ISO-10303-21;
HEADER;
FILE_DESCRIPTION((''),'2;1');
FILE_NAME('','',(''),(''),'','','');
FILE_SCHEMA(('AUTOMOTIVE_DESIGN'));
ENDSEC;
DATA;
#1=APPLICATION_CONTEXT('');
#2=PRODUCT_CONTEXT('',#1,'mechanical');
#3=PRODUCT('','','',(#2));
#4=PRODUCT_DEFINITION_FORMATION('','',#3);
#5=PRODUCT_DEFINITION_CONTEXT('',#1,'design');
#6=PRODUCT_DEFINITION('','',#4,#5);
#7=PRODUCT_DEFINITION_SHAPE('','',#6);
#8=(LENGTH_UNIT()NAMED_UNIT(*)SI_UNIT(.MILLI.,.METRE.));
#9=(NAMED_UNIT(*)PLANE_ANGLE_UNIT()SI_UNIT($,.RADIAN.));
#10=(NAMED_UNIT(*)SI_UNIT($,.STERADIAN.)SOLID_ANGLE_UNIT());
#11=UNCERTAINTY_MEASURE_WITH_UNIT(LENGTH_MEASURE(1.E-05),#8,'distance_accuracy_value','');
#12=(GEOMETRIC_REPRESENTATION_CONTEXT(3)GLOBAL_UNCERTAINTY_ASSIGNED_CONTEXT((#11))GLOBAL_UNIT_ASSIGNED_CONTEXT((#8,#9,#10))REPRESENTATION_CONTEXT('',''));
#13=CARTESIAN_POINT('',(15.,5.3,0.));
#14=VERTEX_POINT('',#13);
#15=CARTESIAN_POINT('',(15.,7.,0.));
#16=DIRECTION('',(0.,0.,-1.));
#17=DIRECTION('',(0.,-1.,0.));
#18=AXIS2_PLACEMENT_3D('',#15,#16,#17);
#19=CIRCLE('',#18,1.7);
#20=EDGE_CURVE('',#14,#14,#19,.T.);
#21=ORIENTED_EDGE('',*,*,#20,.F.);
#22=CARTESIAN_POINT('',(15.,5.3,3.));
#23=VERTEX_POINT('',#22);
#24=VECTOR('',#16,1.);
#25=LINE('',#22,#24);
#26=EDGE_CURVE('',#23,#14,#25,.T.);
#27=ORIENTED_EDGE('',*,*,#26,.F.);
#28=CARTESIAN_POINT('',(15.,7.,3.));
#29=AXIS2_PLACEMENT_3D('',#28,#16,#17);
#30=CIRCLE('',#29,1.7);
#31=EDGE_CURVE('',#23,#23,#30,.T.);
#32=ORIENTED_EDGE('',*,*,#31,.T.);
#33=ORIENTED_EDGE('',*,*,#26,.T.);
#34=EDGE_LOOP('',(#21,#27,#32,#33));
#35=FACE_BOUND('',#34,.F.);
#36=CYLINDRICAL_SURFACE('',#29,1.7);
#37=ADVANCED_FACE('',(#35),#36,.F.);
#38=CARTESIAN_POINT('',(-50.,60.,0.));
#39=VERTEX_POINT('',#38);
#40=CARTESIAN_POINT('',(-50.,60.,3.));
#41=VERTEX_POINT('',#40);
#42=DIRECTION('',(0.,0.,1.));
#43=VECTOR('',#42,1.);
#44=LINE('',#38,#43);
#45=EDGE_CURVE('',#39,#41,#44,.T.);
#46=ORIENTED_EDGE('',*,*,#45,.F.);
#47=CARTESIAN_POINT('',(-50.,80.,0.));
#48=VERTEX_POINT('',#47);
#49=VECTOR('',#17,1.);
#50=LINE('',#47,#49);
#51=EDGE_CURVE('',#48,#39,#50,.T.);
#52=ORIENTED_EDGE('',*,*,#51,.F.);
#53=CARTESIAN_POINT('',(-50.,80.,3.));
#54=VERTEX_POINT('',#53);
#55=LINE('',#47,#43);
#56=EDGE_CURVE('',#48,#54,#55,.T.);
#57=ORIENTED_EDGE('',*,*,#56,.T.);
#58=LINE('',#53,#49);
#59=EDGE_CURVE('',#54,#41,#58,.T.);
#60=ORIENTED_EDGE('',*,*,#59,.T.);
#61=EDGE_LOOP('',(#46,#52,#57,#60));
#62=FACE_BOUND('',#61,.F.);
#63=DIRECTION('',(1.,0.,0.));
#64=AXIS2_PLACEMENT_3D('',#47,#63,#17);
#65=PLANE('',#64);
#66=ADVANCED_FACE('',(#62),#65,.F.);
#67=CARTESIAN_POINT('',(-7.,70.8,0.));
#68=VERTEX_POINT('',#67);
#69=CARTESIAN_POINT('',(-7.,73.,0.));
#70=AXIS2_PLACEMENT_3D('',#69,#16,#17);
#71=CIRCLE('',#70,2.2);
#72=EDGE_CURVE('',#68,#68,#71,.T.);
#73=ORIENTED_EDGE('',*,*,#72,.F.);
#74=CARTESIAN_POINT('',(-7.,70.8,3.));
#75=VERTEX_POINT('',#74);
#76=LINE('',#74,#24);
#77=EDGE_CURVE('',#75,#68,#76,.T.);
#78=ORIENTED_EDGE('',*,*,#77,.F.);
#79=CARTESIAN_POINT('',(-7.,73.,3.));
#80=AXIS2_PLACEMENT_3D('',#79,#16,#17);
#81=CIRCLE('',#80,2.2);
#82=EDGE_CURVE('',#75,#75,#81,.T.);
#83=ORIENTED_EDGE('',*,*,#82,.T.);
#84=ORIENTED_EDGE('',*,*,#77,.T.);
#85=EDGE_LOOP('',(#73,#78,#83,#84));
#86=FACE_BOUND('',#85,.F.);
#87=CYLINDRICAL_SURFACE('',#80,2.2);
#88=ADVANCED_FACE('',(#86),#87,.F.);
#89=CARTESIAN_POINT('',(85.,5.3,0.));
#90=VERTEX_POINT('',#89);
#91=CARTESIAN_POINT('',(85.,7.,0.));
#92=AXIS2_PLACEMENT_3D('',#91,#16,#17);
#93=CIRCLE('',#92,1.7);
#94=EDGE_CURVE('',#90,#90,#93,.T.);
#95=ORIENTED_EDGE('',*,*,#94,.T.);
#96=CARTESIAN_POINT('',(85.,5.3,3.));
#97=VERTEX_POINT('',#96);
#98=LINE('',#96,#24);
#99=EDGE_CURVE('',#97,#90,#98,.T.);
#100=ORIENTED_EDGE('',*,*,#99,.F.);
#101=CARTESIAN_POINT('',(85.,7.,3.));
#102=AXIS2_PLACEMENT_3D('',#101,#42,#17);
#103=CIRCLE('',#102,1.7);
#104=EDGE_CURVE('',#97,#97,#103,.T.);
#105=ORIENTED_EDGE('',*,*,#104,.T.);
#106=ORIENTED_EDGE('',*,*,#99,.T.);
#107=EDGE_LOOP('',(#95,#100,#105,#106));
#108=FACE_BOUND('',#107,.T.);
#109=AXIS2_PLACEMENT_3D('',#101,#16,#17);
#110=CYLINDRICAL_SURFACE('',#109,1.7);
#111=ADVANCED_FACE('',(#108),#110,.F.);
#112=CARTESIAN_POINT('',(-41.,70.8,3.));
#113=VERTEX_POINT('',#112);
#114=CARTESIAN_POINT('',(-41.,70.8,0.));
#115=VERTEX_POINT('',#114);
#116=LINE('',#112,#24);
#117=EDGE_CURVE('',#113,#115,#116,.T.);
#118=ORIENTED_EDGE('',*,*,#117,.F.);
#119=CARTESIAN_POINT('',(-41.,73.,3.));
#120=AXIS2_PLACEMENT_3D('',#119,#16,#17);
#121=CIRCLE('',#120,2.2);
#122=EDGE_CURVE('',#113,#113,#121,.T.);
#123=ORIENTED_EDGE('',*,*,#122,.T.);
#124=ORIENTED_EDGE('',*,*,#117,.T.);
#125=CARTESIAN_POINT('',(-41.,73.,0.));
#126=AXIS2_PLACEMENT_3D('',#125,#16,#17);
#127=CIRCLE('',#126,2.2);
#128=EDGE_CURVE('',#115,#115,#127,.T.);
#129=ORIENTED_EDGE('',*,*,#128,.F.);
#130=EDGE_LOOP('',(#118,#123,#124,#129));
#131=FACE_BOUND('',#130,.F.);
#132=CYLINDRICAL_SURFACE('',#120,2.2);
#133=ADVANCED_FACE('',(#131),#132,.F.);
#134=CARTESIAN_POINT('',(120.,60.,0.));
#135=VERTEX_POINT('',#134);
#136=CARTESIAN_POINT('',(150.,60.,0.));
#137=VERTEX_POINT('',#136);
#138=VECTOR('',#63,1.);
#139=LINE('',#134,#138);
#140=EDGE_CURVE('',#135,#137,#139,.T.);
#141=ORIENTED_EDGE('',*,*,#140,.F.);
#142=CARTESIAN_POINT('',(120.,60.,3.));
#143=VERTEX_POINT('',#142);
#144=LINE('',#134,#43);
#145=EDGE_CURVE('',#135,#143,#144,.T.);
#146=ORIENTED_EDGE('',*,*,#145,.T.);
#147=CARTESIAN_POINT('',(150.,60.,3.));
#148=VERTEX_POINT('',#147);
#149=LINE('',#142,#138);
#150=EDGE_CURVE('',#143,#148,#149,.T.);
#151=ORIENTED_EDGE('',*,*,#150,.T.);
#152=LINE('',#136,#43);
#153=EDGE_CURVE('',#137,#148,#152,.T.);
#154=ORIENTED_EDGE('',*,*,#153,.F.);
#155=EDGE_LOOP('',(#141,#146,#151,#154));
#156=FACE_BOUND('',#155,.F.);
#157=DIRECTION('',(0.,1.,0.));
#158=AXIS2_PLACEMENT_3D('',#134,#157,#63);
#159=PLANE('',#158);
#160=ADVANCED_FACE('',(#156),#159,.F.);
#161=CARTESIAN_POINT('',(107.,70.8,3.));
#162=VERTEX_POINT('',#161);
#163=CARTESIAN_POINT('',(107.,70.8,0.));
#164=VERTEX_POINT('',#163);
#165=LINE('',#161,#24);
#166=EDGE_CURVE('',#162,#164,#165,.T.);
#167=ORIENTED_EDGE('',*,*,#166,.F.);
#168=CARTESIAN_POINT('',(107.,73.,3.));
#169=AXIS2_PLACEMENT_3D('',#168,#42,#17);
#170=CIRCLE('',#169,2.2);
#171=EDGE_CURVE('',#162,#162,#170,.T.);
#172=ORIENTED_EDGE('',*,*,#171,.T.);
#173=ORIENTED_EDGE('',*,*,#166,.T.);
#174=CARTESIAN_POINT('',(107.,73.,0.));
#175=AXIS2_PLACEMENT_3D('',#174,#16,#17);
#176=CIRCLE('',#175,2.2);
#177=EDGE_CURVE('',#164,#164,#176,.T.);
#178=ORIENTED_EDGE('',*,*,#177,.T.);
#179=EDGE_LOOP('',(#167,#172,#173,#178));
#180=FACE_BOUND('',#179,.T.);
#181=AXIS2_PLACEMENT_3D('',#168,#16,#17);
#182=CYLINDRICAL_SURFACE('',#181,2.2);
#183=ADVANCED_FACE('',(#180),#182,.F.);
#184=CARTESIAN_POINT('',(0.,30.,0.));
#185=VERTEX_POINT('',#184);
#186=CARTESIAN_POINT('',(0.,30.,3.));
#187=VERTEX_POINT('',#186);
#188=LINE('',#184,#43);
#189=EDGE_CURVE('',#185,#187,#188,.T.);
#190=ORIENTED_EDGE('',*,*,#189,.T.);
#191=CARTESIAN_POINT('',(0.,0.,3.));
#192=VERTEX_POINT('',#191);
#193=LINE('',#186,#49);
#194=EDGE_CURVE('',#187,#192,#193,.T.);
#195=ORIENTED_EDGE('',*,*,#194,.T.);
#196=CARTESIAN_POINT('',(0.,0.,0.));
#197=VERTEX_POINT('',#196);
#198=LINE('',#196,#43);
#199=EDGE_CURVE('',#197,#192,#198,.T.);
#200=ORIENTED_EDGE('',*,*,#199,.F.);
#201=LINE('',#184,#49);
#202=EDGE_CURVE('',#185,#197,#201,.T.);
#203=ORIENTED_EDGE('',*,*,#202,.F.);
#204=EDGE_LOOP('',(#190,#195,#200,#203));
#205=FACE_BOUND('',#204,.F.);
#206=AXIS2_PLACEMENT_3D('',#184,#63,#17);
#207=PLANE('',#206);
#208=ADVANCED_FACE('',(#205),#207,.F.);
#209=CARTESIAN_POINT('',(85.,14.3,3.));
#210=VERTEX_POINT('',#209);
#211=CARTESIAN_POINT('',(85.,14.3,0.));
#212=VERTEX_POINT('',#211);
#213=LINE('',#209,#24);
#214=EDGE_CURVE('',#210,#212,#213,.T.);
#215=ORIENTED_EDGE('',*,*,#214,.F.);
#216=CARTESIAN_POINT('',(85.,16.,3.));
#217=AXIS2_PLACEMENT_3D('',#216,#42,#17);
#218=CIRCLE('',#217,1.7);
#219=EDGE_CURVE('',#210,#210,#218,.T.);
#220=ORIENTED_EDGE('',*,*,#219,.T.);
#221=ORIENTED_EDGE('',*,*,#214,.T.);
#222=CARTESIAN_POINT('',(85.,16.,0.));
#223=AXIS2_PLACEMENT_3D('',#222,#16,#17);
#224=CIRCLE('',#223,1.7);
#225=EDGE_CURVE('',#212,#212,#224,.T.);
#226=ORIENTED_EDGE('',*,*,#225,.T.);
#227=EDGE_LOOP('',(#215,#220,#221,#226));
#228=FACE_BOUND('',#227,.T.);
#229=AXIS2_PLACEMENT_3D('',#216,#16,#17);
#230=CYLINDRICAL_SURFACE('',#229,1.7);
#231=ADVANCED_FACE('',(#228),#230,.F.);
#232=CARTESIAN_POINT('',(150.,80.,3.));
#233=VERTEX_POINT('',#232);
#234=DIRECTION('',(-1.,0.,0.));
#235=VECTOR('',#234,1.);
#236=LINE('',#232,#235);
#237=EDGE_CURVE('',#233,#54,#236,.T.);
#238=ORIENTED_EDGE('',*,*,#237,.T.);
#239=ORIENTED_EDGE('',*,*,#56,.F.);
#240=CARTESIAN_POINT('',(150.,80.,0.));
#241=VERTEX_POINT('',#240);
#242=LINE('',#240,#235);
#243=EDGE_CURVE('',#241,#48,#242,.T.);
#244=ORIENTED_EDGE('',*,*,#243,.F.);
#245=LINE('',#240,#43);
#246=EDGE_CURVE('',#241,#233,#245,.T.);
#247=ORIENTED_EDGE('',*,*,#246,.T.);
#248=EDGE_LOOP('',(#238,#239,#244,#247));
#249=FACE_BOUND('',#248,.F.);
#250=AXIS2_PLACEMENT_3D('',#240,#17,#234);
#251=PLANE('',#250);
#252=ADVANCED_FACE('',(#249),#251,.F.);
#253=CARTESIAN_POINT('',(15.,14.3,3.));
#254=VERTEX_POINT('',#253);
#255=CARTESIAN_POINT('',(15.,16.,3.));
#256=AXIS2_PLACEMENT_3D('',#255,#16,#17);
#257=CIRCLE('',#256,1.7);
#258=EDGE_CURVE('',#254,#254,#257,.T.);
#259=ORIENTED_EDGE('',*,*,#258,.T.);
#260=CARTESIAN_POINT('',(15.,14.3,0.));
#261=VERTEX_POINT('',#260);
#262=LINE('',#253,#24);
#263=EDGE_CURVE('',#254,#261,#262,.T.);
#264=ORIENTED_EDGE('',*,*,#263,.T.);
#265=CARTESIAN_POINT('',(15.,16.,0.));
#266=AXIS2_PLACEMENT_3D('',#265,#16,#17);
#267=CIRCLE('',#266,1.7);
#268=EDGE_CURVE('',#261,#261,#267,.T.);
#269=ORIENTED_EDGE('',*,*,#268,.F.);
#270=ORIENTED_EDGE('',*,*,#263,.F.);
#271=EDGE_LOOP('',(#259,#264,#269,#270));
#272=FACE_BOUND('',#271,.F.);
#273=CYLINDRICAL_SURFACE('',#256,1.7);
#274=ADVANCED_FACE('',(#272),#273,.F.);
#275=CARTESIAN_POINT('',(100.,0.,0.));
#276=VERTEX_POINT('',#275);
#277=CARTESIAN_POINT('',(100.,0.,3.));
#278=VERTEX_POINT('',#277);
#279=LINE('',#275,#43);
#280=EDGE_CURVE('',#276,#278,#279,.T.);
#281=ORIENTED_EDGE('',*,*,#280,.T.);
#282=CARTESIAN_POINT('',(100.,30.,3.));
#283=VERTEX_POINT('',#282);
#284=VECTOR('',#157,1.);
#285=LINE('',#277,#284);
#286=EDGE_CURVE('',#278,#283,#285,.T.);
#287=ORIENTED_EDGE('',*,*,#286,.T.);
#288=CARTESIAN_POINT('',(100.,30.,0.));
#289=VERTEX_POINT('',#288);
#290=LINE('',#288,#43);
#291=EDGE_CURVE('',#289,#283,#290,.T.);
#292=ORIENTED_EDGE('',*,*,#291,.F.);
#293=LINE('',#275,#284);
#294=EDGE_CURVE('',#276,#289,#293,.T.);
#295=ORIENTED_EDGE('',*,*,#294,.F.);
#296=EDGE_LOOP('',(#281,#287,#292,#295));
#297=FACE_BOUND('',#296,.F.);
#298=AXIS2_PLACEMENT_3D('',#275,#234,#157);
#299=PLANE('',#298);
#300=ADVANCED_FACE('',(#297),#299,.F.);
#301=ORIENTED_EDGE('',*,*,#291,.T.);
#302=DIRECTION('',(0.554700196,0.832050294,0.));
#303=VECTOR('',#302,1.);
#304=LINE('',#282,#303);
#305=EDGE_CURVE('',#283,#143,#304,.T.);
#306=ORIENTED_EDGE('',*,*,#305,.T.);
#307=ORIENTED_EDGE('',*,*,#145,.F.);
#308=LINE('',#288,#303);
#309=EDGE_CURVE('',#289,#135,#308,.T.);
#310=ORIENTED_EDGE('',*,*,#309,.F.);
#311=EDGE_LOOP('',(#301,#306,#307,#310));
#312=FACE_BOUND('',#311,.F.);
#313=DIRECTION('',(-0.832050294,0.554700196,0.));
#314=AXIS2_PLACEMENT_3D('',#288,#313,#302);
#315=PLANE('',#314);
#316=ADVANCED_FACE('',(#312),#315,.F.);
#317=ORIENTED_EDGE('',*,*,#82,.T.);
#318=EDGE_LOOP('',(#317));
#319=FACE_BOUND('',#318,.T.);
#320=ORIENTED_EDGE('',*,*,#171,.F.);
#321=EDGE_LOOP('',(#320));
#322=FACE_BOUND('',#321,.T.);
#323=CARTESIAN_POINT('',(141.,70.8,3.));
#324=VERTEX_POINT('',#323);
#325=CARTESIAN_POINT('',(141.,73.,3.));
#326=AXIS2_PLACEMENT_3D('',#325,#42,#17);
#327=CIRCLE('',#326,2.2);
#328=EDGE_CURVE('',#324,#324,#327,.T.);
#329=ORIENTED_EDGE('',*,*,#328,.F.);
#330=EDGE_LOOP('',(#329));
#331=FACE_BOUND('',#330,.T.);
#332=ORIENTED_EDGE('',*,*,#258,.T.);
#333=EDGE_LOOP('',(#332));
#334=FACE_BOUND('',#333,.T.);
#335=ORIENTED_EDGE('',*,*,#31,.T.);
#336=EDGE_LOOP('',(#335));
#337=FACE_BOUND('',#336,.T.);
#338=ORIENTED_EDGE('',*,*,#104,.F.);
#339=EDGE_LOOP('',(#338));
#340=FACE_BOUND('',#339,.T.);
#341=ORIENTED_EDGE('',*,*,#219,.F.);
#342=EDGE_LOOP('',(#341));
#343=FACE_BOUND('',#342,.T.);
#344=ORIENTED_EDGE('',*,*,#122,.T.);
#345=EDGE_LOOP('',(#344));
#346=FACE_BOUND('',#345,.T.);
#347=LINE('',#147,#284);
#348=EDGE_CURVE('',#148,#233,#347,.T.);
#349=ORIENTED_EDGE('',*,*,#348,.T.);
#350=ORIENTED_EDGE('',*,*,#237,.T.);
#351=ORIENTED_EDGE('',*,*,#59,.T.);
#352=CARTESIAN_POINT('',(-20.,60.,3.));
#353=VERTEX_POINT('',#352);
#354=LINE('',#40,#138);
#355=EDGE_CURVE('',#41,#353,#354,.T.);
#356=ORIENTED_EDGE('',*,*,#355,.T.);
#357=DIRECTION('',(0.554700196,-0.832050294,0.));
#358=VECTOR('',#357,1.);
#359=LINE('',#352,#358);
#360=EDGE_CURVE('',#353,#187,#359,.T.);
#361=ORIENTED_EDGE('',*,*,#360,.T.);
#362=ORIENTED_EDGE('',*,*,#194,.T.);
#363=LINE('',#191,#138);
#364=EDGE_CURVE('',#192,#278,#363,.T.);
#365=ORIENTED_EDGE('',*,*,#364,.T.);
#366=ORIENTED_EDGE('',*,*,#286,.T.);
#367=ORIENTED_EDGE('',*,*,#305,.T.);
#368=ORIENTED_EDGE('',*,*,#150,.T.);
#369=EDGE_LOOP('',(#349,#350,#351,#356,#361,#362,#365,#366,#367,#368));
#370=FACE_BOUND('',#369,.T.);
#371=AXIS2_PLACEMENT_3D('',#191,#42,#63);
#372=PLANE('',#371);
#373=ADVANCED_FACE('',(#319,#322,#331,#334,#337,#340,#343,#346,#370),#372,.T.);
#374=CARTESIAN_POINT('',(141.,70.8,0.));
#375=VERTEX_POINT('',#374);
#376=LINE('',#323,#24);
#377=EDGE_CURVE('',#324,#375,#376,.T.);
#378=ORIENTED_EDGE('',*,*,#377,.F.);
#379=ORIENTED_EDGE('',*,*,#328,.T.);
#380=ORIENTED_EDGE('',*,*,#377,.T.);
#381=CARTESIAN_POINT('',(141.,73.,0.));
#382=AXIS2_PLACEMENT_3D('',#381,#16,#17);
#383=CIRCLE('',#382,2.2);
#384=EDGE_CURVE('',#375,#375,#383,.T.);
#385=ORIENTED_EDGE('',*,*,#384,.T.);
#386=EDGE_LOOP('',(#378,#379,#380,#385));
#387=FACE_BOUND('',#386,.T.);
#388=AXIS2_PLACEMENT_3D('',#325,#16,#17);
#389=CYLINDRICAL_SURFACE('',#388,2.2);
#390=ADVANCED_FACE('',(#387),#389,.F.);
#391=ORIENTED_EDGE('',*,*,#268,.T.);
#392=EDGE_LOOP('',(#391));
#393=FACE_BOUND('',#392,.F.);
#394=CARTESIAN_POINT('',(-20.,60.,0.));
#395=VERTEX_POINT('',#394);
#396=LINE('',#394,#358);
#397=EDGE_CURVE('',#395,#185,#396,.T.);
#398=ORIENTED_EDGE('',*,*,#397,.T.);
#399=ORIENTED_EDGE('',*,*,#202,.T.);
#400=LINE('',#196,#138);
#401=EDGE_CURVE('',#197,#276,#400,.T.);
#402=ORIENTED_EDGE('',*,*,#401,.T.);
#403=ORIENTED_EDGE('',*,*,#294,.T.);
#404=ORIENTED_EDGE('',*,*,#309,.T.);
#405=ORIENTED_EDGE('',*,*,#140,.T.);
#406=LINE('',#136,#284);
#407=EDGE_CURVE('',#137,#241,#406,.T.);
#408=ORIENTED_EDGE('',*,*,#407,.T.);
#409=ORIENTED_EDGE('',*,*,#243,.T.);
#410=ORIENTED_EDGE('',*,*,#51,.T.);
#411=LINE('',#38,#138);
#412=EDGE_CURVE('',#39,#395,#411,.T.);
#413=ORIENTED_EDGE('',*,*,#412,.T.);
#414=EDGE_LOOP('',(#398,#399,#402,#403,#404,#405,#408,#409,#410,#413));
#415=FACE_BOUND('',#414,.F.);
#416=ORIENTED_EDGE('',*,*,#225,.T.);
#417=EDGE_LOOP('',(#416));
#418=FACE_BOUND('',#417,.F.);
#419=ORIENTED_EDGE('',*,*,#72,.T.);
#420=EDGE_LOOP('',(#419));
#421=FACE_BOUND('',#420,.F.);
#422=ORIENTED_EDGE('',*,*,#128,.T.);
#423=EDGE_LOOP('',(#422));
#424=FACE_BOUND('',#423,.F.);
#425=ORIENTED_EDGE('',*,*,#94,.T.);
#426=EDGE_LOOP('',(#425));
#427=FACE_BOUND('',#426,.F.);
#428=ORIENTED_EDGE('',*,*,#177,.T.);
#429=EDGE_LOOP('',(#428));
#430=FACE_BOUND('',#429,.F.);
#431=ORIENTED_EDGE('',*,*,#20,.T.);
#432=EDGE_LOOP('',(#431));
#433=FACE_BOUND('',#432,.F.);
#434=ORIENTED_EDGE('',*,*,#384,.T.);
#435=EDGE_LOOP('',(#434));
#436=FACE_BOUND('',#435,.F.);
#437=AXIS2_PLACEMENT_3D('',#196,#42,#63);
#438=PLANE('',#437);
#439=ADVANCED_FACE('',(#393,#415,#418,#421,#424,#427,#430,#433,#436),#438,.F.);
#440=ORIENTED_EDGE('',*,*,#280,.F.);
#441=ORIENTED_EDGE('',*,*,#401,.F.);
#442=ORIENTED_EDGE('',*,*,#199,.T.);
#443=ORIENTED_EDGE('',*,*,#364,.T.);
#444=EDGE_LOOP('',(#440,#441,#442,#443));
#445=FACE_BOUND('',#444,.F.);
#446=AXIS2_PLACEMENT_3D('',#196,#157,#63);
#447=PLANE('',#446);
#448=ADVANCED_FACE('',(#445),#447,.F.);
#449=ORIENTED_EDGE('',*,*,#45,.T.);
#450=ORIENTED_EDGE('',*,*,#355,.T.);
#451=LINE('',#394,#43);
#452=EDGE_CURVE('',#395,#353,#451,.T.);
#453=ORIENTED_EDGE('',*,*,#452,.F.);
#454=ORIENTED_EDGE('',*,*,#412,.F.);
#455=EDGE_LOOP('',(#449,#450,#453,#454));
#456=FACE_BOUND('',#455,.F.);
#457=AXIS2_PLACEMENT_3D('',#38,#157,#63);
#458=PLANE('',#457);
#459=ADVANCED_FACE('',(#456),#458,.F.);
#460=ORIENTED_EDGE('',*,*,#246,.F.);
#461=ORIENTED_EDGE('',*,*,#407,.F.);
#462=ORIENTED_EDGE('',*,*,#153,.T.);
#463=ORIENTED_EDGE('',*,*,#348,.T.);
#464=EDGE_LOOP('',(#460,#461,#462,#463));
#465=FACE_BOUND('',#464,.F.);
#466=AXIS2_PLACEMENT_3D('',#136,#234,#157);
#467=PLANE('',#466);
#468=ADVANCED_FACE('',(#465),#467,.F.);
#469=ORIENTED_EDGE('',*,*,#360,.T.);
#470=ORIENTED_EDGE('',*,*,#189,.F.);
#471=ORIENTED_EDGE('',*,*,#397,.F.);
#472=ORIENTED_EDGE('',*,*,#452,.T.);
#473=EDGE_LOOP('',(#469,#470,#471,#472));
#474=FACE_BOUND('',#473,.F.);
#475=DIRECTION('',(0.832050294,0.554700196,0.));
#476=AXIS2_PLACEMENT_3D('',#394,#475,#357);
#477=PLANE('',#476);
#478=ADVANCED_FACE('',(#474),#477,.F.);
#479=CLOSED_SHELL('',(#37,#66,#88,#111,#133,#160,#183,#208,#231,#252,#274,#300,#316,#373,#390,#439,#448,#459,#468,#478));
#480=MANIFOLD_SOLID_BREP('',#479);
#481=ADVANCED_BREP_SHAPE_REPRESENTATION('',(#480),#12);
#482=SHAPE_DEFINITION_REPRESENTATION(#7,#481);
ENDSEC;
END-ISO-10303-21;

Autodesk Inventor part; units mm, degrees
ref_plane "YZ Plane" through (0, 0, 0) normal (1, 0, 0) x (0, 1, 0)
ref_plane "XZ Plane" through (0, 0, 0) normal (0, 1, 0) x (-1, 0, 0)
ref_plane "XY Plane" through (0, 0, 0) normal (0, 0, 1) x (1, 0, 0)
sketch "Sketch1" plane through (0, 0, 0) normal (0, 1, 0) x (-1, 0, 0)
  point P0 (0, 0)
sketch "Sketch2" plane through (0, 0, 0) normal (0, 0, 1) x (1, 0, 0)
  line L0 (0, 0) -> (100, 0)
  line L1 (100, 0) -> (100, 30)
  line L2 (100, 30) -> (120, 60)
  line L3 (120, 60) -> (150, 60)
  line L4 (150, 60) -> (150, 80)
  line L5 (150, 80) -> (-50, 80)
  line L6 (-50, 80) -> (-50, 60)
  line L7 (0, 30) -> (0, 0)
  line L8 (-50, 60) -> (-20, 60)
  line L9 (-20, 60) -> (0, 30)
  dimension "d0" = 100
  dimension "d1" = 200
  dimension "d2" = 0
  dimension "d3" = 20
  dimension "d4" = 30
  dimension "d5" = 30
  dimension "d6" = 20
  dimension "d7" = 30
  dimension "d8" = 30
  dimension "d9" = 20
  dimension "d10" = 20
sketch "Sketch3" plane through (0, 0, 0) normal (0, 0, 1) x (1, 0, 0)
  point P0 (0, 0)
sketch "Sketch4" plane through (0, 0, 0) normal (0, 0, 1) x (1, 0, 0)
  point P0 (0, 0)
extrude "Extrusion1" add sketch "Sketch2" along normal blind 3
sketch "Sketch6" plane through (0, 0, 3) normal (0, 0, 1) x (1, 0, 0)
  point P0 (0, 0)
sketch "Sketch7" plane through (0, 0, 0) normal (0, 0, -1) x (-1, 0, 0)
  point P0 (0, 0)
sketch "Sketch8" plane through (0, 0, 3) normal (0, 0, 1) x (1, 0, 0)
  point P0 (0, 0)
sketch "Sketch9" plane through (0, 0, 3) normal (0, 0, 1) x (1, 0, 0)
  line L0 (-50, 80) -> (-50, 60) projected
  line L1 (150, 80) -> (-50, 80) projected
  line L2 (0, 30) -> (0, 0) projected
  line L3 (0, 0) -> (100, 0) projected
  point P0 (15, 16)
  point P1 (15, 7)
  dimension "d37" = 15
  dimension "d38" = 15
  dimension "d39" = 7
  dimension "d40" = 9
hole "Hole2" at (15, 7, 3) at (15, 16, 3) direction (0, 0, -1) diameter 3.4 end through all
sketch "Sketch11" plane through (0, 0, 3) normal (0, 0, 1) x (1, 0, 0)
  line L0 (100, 0) -> (100, 30) projected
  point P0 (0, 0)
sketch "Sketch12" plane through (0, 0, 3) normal (0, 0, 1) x (1, 0, 0)
  line L0 (-50, 80) -> (-50, 60) projected
  line L1 (150, 80) -> (-50, 80) projected
  point P0 (0, 0)
  point P1 (-41, 73)
  point P2 (-7, 73)
  dimension "d50" = 9
  dimension "d51" = 34
  dimension "d52" = 7
  dimension "d53" = 7
hole "Hole3" at (-41, 73, 3) at (-7, 73, 3) direction (0, 0, -1) diameter 4.4 end through all
ref_plane "Work Plane2" through (50, 0, 0) normal (-1, 0, 0) x (0, 0, 1)
mirror "Mirror1" about plane through (50, 0, 0) normal (-1, 0, 0) of "Hole2", "Hole3"
sketch "Sketch14" plane through (0, 0, 3) normal (0, 0, 1) x (1, 0, 0)
  point P0 (0, 0)
sketch "Sketch15" plane through (0, 0, 3) normal (0, 0, 1) x (1, 0, 0)
  point P0 (0, 0)
sketch "Sketch16" plane through (0, 0, 3) normal (0, 0, 1) x (1, 0, 0)
  point P0 (0, 0)
properties part number "plate"
